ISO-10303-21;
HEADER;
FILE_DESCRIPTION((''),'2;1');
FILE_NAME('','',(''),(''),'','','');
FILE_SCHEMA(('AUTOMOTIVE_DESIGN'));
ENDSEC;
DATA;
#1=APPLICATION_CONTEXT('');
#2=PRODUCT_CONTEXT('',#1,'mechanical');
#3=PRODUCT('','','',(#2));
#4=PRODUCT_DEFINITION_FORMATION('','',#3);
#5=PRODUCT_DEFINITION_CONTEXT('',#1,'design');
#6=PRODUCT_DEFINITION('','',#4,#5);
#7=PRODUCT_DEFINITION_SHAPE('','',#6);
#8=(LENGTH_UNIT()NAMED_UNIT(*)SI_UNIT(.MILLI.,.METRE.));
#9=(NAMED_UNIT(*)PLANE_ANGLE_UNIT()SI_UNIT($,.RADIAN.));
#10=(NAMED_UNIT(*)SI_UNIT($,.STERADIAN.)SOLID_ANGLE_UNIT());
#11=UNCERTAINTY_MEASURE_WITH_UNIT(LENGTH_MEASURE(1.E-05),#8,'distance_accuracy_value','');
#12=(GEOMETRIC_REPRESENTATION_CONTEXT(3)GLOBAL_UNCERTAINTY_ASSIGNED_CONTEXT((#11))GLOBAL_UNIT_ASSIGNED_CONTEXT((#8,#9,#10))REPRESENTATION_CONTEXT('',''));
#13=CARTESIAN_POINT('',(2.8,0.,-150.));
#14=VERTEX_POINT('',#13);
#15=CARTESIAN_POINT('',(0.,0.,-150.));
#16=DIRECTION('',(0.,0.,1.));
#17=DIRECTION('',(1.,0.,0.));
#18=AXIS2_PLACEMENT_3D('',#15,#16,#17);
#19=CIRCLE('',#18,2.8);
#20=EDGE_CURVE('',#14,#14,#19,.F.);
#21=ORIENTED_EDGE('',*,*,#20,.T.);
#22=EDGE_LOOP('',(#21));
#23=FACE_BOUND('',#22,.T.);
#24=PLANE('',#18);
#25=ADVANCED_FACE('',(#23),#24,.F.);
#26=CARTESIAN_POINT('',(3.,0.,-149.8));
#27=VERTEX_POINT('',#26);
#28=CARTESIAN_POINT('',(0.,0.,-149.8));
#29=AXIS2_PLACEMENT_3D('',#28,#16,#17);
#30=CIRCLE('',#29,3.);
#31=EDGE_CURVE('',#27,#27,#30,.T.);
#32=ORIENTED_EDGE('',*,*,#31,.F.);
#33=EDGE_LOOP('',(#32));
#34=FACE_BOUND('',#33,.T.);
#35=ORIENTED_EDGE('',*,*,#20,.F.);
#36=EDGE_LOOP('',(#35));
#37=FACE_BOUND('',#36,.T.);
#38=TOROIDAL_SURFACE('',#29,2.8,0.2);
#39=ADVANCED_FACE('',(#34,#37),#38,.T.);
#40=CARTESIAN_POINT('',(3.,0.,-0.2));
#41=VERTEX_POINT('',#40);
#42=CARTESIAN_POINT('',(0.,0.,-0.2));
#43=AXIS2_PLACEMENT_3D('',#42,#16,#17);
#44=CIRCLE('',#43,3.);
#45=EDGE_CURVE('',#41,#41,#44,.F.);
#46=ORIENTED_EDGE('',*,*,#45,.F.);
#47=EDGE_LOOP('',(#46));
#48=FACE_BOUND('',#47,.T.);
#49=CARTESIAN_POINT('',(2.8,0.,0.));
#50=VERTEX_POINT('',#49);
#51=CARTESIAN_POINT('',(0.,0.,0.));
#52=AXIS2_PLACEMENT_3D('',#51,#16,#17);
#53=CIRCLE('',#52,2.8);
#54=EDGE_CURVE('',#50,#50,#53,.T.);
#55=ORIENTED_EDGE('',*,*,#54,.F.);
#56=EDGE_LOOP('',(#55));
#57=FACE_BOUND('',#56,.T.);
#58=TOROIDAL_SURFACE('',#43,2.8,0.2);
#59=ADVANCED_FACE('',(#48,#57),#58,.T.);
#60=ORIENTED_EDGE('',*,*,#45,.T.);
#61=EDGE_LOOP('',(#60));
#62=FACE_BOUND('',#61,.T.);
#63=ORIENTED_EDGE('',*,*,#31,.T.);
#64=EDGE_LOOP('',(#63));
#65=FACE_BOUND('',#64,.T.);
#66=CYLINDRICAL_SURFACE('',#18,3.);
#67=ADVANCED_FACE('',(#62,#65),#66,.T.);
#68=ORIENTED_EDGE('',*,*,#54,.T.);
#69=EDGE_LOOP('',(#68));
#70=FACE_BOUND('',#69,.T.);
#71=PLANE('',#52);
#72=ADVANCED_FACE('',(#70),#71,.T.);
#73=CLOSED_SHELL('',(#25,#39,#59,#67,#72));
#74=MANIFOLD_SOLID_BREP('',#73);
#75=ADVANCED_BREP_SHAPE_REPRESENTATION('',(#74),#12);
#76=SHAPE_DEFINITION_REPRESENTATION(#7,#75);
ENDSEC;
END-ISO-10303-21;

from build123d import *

# Parameters (mm, degrees)
SKETCH1_R           = 3
BOSS_EXTRUDE1_DEPTH = 150
FILLET1_R           = 0.2


with BuildPart() as part:
    # Sketch1 → Boss-Extrude1 (new body)
    with BuildSketch(Plane.XY):
        Circle(SKETCH1_R)
    extrude(amount=-BOSS_EXTRUDE1_DEPTH)

    # Fillet1
    fillet1_edges = [part.edges().sort_by_distance(p)[0] for p in [
        (-3, 0, 0),
        (-3, 0, -150),
    ]]
    fillet(fillet1_edges, radius=FILLET1_R)


solid = part.part
